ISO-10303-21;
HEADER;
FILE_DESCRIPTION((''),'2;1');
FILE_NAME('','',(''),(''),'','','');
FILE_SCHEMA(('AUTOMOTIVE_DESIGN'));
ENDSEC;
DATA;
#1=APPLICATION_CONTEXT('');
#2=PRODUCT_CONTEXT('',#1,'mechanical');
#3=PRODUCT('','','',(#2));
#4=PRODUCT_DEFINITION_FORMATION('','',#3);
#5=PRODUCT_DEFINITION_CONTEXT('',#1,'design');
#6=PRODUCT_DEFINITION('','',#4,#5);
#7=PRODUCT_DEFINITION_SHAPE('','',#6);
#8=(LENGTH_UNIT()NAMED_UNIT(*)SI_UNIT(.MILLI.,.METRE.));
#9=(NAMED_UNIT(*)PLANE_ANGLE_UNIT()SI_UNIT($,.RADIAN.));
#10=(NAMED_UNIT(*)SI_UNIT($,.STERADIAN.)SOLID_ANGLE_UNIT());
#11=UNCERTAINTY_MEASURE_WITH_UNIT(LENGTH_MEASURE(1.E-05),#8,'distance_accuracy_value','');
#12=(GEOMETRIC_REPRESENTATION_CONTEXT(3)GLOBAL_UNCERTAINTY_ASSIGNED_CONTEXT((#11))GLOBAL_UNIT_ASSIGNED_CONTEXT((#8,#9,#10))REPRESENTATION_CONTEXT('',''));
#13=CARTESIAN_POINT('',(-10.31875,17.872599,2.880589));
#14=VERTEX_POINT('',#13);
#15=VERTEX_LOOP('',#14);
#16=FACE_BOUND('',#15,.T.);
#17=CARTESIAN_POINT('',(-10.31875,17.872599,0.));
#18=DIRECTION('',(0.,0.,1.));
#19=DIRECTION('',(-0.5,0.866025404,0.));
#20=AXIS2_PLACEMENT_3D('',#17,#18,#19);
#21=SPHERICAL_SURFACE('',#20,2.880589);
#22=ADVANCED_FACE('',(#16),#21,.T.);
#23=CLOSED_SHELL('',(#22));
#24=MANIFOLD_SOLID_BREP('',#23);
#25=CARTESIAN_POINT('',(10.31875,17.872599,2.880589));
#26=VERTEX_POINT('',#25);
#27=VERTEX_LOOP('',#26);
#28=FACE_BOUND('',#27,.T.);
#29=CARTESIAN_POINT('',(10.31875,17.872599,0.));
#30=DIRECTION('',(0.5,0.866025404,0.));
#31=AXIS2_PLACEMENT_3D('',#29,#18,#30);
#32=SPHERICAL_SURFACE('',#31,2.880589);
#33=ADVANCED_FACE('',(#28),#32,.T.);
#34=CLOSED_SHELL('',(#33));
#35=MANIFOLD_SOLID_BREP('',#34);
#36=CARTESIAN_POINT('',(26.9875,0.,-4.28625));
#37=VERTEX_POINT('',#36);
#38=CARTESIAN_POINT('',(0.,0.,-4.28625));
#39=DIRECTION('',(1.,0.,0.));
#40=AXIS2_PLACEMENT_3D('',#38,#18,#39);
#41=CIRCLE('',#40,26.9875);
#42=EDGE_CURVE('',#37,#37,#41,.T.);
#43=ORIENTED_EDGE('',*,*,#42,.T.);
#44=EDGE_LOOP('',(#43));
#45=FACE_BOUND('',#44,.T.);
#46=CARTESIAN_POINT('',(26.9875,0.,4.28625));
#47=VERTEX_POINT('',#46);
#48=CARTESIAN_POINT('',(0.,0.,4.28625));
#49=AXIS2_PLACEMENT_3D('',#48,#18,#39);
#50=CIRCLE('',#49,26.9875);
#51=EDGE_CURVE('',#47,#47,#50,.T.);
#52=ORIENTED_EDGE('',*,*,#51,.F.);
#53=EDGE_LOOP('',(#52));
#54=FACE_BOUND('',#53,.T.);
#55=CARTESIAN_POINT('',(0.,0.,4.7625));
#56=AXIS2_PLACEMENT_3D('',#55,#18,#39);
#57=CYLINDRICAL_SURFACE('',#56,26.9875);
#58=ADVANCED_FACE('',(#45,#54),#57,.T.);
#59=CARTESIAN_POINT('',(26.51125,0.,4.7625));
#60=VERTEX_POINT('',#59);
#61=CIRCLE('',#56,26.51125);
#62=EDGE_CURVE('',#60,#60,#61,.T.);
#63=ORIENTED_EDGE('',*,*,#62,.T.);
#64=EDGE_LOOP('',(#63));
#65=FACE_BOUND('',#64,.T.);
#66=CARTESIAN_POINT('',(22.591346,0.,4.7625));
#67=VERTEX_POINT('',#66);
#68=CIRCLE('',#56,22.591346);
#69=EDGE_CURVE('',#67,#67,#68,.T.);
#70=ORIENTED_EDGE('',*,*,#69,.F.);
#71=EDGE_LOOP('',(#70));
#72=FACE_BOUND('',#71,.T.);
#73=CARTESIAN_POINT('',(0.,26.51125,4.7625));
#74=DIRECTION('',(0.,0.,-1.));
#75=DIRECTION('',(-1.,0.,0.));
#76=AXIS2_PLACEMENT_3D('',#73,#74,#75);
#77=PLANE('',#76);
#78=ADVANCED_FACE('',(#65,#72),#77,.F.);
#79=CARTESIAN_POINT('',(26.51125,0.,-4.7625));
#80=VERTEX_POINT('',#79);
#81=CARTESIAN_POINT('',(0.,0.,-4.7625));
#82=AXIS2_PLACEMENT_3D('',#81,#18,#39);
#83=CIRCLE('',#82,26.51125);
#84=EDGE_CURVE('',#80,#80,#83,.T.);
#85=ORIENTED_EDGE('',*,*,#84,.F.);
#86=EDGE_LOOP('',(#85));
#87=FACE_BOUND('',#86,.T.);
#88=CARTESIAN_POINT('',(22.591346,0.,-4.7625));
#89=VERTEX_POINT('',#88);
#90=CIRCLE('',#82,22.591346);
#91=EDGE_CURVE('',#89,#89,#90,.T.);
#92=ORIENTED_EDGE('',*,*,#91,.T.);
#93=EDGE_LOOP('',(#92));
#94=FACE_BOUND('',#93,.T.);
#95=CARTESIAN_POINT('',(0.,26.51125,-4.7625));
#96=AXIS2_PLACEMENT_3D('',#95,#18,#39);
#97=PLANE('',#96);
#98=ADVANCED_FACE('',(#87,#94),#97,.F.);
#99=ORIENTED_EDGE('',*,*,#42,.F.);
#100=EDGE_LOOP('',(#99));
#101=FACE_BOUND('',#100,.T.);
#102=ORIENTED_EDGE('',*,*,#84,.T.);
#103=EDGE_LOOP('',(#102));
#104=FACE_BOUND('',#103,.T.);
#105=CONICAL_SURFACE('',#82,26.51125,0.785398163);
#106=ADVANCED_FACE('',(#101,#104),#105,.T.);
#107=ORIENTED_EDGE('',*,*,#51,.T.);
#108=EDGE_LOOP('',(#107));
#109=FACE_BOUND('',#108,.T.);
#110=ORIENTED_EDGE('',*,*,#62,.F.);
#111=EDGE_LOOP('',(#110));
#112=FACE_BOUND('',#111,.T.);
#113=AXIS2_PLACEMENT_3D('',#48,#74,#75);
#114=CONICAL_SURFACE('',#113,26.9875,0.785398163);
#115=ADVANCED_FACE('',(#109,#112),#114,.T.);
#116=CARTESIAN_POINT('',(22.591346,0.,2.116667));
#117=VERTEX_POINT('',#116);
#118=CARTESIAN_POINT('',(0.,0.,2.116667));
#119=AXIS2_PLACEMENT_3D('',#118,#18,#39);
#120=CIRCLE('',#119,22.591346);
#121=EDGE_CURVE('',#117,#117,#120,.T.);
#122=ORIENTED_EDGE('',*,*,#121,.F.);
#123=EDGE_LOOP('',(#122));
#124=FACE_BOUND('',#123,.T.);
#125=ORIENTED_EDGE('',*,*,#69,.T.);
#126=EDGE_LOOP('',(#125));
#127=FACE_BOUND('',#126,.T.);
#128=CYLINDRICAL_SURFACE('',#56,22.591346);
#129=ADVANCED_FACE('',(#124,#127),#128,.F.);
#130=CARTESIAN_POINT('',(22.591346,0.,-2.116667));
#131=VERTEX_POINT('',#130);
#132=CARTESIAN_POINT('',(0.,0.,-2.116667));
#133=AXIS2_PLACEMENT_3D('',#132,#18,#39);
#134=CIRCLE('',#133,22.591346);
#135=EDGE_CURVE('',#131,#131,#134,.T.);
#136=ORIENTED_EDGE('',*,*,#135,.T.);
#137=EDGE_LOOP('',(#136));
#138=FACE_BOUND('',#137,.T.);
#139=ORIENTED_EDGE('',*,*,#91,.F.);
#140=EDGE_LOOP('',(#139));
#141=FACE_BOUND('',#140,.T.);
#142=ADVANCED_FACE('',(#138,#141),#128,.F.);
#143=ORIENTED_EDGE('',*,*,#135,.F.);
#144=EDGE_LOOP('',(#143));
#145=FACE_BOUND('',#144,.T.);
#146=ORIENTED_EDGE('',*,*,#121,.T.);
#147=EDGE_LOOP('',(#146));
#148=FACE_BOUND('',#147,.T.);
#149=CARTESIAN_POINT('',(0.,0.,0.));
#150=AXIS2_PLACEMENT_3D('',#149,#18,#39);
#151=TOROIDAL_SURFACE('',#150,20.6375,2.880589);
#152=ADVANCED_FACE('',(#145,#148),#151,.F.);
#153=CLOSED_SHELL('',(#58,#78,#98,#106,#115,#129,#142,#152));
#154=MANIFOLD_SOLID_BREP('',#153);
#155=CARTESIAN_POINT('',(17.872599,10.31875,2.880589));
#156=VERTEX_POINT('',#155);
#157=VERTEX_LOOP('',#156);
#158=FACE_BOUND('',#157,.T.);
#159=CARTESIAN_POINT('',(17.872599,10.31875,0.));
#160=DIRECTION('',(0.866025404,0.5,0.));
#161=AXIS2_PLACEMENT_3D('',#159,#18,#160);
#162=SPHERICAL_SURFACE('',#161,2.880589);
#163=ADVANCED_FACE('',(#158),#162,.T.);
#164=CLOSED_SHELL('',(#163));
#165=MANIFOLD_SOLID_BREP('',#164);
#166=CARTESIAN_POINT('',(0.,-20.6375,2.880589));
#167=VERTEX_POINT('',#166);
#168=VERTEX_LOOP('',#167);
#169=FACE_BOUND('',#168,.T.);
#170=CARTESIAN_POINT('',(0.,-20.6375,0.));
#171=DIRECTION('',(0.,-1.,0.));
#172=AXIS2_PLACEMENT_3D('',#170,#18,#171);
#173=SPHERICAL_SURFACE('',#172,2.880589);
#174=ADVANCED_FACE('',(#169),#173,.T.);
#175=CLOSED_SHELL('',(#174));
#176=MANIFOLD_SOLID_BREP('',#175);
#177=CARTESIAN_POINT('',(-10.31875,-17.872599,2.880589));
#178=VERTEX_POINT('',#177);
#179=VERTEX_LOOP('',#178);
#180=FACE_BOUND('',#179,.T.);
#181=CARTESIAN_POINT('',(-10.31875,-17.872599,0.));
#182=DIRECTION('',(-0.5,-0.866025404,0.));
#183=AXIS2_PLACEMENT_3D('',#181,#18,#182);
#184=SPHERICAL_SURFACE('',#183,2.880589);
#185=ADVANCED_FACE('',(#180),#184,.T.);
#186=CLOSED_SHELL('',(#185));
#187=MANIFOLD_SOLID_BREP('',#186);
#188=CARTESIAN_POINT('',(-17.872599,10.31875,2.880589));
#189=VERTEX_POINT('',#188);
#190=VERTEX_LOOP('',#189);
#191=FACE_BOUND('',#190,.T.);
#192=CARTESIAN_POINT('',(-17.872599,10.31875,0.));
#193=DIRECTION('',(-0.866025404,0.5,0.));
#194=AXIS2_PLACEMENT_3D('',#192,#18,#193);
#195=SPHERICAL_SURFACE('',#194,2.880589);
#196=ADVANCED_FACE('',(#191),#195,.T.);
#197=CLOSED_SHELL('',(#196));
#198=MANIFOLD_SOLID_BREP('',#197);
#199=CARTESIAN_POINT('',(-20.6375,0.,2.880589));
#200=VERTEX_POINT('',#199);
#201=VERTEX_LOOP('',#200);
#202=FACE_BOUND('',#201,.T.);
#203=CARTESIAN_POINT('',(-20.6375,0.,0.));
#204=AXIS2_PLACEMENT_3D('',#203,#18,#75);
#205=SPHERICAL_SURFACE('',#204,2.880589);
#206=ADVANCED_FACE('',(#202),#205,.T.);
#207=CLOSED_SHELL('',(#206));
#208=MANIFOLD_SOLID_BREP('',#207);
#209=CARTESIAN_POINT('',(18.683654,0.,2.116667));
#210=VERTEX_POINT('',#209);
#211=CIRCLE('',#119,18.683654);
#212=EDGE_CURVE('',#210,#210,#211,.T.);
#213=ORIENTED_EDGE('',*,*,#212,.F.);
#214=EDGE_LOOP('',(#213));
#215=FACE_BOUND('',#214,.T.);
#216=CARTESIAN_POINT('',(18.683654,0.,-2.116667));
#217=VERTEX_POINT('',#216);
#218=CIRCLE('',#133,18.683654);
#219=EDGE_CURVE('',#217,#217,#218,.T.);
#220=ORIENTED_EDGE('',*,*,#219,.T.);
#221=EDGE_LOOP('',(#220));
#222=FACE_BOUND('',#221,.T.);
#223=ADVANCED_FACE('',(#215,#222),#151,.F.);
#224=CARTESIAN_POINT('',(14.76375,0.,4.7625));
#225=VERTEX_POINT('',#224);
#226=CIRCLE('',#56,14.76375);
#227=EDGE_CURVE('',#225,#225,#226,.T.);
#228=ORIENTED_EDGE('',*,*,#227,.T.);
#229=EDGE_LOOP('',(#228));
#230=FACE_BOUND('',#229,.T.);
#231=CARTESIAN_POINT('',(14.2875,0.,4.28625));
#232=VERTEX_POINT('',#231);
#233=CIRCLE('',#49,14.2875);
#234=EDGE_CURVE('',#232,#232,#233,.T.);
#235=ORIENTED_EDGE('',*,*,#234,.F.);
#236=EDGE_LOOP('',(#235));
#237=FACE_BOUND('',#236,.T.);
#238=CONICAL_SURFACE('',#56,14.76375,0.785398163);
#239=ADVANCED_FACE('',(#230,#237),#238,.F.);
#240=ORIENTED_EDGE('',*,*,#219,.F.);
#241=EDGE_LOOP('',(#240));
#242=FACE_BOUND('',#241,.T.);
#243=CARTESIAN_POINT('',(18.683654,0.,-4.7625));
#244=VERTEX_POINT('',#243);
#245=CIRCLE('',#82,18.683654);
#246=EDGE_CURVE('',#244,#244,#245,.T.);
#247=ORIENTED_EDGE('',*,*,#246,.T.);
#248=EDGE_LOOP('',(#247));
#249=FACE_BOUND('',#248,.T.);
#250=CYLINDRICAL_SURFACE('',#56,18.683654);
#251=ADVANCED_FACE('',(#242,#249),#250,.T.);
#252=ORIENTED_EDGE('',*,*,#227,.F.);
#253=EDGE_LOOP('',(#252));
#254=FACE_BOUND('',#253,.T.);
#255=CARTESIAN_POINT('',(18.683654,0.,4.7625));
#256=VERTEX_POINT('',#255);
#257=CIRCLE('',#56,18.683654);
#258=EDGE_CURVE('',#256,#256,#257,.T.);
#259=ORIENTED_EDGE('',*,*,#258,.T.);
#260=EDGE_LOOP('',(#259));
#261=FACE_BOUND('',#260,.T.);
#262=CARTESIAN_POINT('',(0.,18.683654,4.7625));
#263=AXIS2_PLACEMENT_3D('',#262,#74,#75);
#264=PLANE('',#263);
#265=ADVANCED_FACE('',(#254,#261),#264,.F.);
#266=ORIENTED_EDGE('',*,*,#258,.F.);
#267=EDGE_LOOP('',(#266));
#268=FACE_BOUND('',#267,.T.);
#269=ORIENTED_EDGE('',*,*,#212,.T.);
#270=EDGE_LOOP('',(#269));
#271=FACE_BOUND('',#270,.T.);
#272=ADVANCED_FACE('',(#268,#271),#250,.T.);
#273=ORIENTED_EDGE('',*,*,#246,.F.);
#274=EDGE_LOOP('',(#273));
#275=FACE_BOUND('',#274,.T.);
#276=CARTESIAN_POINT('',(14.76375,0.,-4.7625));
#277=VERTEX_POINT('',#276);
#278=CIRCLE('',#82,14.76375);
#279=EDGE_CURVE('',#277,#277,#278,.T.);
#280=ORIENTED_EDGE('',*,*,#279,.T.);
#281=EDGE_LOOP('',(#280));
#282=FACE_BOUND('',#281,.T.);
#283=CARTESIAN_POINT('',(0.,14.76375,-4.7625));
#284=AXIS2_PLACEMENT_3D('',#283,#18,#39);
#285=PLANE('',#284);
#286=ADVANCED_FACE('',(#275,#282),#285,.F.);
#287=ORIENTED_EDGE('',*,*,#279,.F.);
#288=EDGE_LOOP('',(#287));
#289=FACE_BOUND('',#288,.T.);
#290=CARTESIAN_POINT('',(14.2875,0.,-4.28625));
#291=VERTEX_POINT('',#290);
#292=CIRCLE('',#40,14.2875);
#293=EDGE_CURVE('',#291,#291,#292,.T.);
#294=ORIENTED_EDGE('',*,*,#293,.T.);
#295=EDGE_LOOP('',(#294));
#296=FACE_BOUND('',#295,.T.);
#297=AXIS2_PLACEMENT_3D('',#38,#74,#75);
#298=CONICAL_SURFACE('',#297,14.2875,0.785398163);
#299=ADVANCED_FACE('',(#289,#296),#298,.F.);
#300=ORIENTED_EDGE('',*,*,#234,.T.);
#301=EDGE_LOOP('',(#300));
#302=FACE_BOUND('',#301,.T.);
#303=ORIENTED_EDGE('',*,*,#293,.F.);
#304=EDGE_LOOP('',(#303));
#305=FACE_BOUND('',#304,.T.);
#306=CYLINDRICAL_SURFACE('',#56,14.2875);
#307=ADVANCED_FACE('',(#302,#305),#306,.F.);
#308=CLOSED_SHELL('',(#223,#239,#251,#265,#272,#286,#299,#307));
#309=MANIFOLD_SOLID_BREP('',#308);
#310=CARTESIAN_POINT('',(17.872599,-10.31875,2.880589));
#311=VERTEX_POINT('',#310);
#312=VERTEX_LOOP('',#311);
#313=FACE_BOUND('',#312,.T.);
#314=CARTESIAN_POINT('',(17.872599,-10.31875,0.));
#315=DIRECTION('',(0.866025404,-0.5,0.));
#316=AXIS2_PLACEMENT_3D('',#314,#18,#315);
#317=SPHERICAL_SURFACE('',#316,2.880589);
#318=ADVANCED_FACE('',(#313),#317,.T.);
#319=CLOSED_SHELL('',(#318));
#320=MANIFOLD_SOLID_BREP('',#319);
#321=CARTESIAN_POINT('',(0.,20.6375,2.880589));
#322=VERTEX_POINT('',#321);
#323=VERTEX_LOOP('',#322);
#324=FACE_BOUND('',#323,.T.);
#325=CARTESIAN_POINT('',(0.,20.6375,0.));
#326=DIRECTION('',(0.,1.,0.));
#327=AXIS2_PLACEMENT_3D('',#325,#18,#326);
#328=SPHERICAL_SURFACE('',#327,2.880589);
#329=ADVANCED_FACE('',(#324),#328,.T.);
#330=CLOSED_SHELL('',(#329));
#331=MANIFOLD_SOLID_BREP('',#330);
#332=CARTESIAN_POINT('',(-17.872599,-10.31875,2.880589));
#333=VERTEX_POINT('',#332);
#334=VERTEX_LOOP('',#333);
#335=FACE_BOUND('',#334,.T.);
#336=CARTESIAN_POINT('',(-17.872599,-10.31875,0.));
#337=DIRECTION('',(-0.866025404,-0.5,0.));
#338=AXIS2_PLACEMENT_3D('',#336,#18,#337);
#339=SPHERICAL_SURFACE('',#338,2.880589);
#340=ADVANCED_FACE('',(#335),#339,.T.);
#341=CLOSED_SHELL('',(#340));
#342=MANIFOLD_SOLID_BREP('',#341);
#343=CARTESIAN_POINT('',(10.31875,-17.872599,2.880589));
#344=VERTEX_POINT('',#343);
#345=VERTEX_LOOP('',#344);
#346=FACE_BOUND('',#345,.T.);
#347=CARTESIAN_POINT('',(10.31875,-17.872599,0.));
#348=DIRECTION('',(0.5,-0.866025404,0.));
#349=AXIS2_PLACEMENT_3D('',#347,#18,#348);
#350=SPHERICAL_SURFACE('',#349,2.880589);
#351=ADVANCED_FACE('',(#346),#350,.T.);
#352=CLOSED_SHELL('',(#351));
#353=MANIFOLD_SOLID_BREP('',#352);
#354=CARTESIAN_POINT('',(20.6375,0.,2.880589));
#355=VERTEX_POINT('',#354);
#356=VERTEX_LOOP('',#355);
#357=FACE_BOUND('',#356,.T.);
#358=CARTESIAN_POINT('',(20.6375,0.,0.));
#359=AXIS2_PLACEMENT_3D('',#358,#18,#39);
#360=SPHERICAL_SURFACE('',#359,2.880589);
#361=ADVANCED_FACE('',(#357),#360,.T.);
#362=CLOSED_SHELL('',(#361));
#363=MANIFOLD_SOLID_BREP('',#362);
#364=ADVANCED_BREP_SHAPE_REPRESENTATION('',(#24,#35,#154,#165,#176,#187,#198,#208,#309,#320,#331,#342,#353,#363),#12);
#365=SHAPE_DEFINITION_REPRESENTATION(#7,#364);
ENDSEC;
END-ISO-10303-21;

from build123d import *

# Parameters (mm, degrees)
CIRPATTERN1_COUNT = 12


with BuildPart() as part:
    # Sketch1 → Revolve1 (revolve)
    with BuildSketch(Plane(origin=(0, 0, 0), x_dir=(0, 0, -1), z_dir=(1, 0, 0))):
        with BuildLine():
            Line((4.28625, 26.9875), (-4.28625, 26.9875))
            Line((-4.28625, 26.9875), (-4.7625, 26.51125))
            Line((-4.7625, 26.51125), (-4.7625, 22.591346154))
            Line((-4.7625, 22.591346154), (-2.116666667, 22.591346154))
            ThreePointArc((-2.116666667, 22.591346154), (0, 23.518088928), (2.116666667, 22.591346154))
            Line((2.116666667, 22.591346154), (4.7625, 22.591346154))
            Line((4.7625, 22.591346154), (4.7625, 26.51125))
            Line((4.7625, 26.51125), (4.28625, 26.9875))
        make_face()
    revolve(axis=Axis((0, 0, 4.7625), (0, 0, -1)))


with BuildPart() as body_2:
    # Sketch3 → Revolve3 (revolve)
    with BuildSketch(Plane(origin=(0, 0, 0), x_dir=(0, 0, -1), z_dir=(1, 0, 0))):
        with BuildLine():
            Line((-4.7625, 18.683653846), (-2.116666667, 18.683653846))
            ThreePointArc((-2.116666667, 18.683653846), (0, 17.756911072), (2.116666667, 18.683653846))
            Line((2.116666667, 18.683653846), (4.7625, 18.683653846))
            Line((4.7625, 18.683653846), (4.7625, 14.76375))
            Line((4.7625, 14.76375), (4.28625, 14.2875))
            Line((4.28625, 14.2875), (-4.28625, 14.2875))
            Line((-4.28625, 14.2875), (-4.7625, 14.76375))
            Line((-4.7625, 14.76375), (-4.7625, 18.683653846))
        make_face()
    revolve(axis=Axis((0, 0, 4.7625), (0, 0, -1)))


with BuildPart() as body_3:
    # Sketch4 → Revolve4 (revolve)
    with BuildSketch(Plane(origin=(0, 0, 0), x_dir=(0, 0, -1), z_dir=(1, 0, 0))):
        with BuildLine():
            Line((-2.880588928, 20.6375), (2.880588928, 20.6375))
            ThreePointArc((2.880588928, 20.6375), (0, 23.518088928), (-2.880588928, 20.6375))
        make_face()
    revolve(axis=Axis((0, 20.6375, 2.880588928), (0, 0, -1)))


with BuildPart() as cirpattern1_1:
    # CirPattern1: pattern copy
    add(body_3.part.rotate(Axis((0, 0, -4.7625), (0, 0, 1)), 1 * 360 / CIRPATTERN1_COUNT))


with BuildPart() as cirpattern1_2:
    # CirPattern1: pattern copy
    add(body_3.part.rotate(Axis((0, 0, -4.7625), (0, 0, 1)), 2 * 360 / CIRPATTERN1_COUNT))


with BuildPart() as cirpattern1_3:
    # CirPattern1: pattern copy
    add(body_3.part.rotate(Axis((0, 0, -4.7625), (0, 0, 1)), 3 * 360 / CIRPATTERN1_COUNT))


with BuildPart() as cirpattern1_4:
    # CirPattern1: pattern copy
    add(body_3.part.rotate(Axis((0, 0, -4.7625), (0, 0, 1)), 4 * 360 / CIRPATTERN1_COUNT))


with BuildPart() as cirpattern1_5:
    # CirPattern1: pattern copy
    add(body_3.part.rotate(Axis((0, 0, -4.7625), (0, 0, 1)), 5 * 360 / CIRPATTERN1_COUNT))


with BuildPart() as cirpattern1_6:
    # CirPattern1: pattern copy
    add(body_3.part.rotate(Axis((0, 0, -4.7625), (0, 0, 1)), 6 * 360 / CIRPATTERN1_COUNT))


with BuildPart() as cirpattern1_7:
    # CirPattern1: pattern copy
    add(body_3.part.rotate(Axis((0, 0, -4.7625), (0, 0, 1)), 7 * 360 / CIRPATTERN1_COUNT))


with BuildPart() as cirpattern1_8:
    # CirPattern1: pattern copy
    add(body_3.part.rotate(Axis((0, 0, -4.7625), (0, 0, 1)), 8 * 360 / CIRPATTERN1_COUNT))


with BuildPart() as cirpattern1_9:
    # CirPattern1: pattern copy
    add(body_3.part.rotate(Axis((0, 0, -4.7625), (0, 0, 1)), 9 * 360 / CIRPATTERN1_COUNT))


with BuildPart() as cirpattern1_10:
    # CirPattern1: pattern copy
    add(body_3.part.rotate(Axis((0, 0, -4.7625), (0, 0, 1)), 10 * 360 / CIRPATTERN1_COUNT))


with BuildPart() as cirpattern1_11:
    # CirPattern1: pattern copy
    add(body_3.part.rotate(Axis((0, 0, -4.7625), (0, 0, 1)), 11 * 360 / CIRPATTERN1_COUNT))


solid = Compound([part.part, body_2.part, body_3.part, cirpattern1_1.part, cirpattern1_2.part, cirpattern1_3.part, cirpattern1_4.part, cirpattern1_5.part, cirpattern1_6.part, cirpattern1_7.part, cirpattern1_8.part, cirpattern1_9.part, cirpattern1_10.part, cirpattern1_11.part])
